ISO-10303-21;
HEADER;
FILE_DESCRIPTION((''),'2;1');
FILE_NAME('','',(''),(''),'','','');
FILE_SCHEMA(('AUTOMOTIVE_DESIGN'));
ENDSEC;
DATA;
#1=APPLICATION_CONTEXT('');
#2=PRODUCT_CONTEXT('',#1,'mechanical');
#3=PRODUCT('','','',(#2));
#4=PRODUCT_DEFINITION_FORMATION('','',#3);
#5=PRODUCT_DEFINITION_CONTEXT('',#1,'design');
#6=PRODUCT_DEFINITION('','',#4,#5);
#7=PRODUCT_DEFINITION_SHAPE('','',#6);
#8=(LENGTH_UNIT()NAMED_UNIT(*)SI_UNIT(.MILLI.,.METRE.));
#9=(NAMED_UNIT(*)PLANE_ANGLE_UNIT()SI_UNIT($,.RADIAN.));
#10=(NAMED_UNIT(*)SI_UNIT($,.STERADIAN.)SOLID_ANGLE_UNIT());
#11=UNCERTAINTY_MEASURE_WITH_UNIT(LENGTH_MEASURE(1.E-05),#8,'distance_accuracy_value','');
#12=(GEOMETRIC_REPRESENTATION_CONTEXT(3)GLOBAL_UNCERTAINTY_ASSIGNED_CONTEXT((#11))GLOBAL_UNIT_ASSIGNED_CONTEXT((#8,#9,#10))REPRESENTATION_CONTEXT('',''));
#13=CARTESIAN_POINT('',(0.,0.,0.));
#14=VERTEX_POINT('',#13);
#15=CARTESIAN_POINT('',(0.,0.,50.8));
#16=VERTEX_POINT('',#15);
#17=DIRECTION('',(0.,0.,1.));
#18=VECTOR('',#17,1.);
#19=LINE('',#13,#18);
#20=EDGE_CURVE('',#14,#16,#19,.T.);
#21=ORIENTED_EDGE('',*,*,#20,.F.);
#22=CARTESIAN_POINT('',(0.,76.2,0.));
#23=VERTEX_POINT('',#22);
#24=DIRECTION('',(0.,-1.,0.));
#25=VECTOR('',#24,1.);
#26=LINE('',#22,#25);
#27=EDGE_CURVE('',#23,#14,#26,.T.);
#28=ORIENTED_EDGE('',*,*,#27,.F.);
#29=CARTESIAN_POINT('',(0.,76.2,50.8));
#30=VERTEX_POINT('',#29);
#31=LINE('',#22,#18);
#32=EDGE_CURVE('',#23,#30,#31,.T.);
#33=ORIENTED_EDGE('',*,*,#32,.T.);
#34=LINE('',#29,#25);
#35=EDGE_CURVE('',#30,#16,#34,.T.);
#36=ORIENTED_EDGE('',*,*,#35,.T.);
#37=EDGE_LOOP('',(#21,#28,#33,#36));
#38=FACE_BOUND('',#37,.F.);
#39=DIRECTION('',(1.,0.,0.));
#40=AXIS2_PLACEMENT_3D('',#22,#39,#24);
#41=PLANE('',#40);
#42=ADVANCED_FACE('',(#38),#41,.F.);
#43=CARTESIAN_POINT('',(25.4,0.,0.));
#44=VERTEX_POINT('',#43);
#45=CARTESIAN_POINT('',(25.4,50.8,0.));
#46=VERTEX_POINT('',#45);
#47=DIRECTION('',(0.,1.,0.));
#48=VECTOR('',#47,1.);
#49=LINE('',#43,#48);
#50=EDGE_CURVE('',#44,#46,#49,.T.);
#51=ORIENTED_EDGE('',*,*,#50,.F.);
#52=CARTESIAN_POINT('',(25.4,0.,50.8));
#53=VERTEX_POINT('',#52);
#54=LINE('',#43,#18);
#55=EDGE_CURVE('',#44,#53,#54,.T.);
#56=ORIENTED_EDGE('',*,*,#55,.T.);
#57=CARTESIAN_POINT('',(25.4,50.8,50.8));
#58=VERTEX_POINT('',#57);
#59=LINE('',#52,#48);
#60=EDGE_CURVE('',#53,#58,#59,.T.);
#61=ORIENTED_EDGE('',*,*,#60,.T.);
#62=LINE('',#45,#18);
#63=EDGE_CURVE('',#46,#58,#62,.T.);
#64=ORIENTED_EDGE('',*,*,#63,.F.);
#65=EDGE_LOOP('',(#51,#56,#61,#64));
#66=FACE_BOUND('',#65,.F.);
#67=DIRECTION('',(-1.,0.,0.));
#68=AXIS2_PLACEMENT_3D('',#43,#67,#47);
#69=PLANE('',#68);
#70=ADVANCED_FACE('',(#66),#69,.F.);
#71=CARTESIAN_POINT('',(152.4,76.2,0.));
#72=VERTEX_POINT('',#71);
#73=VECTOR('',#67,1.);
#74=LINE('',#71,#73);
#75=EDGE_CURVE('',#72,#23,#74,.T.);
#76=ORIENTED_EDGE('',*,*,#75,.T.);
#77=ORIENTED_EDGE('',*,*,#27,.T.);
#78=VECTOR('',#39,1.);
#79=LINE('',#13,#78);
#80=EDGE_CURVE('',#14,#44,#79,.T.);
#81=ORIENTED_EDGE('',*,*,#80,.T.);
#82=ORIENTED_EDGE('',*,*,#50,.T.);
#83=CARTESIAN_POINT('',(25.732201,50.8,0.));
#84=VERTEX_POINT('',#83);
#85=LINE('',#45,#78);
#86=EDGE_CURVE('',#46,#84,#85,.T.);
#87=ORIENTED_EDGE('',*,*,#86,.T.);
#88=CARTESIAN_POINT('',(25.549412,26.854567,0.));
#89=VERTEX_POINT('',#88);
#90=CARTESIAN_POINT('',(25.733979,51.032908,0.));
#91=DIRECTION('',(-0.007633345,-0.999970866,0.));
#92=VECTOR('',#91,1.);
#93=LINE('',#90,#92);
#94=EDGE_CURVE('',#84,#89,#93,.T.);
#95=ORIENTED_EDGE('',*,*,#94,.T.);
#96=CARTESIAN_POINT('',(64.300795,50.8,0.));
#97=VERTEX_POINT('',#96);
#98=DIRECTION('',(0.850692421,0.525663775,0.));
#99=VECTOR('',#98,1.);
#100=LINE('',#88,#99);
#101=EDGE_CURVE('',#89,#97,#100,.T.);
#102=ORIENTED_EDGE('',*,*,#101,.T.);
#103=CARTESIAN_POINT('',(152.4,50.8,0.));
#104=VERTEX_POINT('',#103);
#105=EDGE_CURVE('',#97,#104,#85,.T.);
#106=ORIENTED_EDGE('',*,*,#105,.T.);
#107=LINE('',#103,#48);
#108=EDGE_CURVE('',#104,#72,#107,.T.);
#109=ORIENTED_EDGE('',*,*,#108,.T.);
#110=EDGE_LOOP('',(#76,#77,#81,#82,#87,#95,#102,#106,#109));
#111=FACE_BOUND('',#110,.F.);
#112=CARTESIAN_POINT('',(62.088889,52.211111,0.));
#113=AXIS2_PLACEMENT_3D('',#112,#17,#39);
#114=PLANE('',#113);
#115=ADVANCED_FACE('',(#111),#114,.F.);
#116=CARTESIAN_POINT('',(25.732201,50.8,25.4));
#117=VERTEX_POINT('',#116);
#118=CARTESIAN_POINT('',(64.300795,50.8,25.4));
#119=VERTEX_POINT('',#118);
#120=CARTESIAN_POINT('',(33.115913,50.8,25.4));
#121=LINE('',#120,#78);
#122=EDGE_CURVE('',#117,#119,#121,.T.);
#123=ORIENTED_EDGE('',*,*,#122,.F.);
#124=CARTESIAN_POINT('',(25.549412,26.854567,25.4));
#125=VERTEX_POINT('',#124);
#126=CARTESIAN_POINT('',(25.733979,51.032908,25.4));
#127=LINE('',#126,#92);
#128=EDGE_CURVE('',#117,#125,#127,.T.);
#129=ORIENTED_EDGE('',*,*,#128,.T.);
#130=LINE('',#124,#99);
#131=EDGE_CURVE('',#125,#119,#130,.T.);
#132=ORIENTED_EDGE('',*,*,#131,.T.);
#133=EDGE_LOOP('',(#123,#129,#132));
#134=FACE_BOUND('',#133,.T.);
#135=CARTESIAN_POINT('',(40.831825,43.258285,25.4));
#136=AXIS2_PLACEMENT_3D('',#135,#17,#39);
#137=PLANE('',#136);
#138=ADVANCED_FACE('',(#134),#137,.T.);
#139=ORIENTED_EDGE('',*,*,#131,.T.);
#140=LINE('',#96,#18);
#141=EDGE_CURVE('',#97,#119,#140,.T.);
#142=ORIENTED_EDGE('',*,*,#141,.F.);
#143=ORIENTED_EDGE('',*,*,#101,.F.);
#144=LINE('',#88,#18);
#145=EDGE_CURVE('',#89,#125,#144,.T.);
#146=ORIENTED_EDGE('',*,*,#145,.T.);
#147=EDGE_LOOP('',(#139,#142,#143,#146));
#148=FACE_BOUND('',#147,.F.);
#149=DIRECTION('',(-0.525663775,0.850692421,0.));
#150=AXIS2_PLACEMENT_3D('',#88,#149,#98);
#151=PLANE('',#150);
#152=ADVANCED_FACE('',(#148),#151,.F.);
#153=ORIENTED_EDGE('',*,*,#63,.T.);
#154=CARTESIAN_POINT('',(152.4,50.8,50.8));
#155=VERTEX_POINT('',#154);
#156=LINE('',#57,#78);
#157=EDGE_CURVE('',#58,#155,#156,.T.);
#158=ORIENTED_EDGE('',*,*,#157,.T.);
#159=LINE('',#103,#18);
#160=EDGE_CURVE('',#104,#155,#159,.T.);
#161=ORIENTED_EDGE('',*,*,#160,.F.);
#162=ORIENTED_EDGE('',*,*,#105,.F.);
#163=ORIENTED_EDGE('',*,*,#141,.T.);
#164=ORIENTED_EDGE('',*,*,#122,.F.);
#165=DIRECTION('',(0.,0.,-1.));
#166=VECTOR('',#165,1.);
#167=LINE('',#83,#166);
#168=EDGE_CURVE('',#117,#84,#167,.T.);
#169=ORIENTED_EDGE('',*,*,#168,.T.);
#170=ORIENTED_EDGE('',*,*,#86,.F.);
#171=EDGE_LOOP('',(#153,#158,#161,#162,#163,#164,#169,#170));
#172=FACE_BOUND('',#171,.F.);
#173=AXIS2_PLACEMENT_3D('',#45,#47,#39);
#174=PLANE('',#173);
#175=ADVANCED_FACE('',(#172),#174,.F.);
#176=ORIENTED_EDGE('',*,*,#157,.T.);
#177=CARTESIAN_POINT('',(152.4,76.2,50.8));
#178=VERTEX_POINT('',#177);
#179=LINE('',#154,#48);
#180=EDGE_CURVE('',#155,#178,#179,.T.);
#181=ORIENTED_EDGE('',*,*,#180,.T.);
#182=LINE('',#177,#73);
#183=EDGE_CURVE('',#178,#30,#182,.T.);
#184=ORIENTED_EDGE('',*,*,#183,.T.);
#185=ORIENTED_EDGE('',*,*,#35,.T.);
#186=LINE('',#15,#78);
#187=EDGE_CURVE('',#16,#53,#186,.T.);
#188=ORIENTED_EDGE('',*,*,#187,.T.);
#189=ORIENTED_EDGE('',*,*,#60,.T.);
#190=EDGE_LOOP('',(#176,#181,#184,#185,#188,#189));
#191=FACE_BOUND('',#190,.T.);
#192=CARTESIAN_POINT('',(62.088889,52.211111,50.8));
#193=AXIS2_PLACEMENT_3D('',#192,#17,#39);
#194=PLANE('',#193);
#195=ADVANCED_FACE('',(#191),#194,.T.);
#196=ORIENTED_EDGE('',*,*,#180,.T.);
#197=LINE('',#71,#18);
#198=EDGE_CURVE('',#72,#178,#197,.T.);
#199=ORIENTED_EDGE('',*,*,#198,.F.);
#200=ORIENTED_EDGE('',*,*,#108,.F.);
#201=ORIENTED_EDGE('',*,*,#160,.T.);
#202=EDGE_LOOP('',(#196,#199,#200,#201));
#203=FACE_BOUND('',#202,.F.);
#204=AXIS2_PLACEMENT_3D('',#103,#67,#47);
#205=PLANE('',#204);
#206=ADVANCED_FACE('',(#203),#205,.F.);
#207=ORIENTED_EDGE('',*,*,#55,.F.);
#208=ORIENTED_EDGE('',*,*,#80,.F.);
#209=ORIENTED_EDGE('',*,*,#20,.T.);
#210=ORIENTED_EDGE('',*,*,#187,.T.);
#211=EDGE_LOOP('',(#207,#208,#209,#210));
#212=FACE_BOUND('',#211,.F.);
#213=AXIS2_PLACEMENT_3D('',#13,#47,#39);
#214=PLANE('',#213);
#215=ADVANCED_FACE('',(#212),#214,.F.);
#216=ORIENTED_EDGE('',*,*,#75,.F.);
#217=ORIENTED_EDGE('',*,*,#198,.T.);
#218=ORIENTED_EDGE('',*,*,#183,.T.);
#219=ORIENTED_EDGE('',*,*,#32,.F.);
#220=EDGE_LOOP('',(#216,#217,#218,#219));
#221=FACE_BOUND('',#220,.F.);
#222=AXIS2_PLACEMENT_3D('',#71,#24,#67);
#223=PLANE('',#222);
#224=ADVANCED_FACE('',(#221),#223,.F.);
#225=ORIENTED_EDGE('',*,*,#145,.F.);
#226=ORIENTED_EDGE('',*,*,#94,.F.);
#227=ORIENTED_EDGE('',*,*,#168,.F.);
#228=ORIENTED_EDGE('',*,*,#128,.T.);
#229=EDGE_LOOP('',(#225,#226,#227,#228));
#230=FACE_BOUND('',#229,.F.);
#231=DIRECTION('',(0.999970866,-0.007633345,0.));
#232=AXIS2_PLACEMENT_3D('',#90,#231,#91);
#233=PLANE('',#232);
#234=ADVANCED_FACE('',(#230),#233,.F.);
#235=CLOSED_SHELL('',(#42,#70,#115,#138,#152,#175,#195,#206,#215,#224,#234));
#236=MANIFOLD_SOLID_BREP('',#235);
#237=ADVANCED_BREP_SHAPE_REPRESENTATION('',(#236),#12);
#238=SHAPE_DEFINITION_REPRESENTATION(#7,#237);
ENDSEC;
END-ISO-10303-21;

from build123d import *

# Parameters (mm, degrees)
F1_DEPTH = 50.8
F3_DEPTH = 25.4


with BuildPart() as f1:
    # F0 (on Top) → F1 (new body)
    with BuildSketch(Plane.XY):
        Polygon((0, 76.2), (0, 0), (25.4, 0), (25.4, 50.8), (152.4, 50.8), (152.4, 76.2), align=None)
    extrude(amount=F1_DEPTH)

    # F2 (on Top) → F3 (join)
    with BuildSketch(Plane.XY):
        Polygon((25.733979, 51.032908), (25.549412, 26.854567), (64.677715, 51.032908), align=None)
    extrude(amount=F3_DEPTH)


solid = f1.part
